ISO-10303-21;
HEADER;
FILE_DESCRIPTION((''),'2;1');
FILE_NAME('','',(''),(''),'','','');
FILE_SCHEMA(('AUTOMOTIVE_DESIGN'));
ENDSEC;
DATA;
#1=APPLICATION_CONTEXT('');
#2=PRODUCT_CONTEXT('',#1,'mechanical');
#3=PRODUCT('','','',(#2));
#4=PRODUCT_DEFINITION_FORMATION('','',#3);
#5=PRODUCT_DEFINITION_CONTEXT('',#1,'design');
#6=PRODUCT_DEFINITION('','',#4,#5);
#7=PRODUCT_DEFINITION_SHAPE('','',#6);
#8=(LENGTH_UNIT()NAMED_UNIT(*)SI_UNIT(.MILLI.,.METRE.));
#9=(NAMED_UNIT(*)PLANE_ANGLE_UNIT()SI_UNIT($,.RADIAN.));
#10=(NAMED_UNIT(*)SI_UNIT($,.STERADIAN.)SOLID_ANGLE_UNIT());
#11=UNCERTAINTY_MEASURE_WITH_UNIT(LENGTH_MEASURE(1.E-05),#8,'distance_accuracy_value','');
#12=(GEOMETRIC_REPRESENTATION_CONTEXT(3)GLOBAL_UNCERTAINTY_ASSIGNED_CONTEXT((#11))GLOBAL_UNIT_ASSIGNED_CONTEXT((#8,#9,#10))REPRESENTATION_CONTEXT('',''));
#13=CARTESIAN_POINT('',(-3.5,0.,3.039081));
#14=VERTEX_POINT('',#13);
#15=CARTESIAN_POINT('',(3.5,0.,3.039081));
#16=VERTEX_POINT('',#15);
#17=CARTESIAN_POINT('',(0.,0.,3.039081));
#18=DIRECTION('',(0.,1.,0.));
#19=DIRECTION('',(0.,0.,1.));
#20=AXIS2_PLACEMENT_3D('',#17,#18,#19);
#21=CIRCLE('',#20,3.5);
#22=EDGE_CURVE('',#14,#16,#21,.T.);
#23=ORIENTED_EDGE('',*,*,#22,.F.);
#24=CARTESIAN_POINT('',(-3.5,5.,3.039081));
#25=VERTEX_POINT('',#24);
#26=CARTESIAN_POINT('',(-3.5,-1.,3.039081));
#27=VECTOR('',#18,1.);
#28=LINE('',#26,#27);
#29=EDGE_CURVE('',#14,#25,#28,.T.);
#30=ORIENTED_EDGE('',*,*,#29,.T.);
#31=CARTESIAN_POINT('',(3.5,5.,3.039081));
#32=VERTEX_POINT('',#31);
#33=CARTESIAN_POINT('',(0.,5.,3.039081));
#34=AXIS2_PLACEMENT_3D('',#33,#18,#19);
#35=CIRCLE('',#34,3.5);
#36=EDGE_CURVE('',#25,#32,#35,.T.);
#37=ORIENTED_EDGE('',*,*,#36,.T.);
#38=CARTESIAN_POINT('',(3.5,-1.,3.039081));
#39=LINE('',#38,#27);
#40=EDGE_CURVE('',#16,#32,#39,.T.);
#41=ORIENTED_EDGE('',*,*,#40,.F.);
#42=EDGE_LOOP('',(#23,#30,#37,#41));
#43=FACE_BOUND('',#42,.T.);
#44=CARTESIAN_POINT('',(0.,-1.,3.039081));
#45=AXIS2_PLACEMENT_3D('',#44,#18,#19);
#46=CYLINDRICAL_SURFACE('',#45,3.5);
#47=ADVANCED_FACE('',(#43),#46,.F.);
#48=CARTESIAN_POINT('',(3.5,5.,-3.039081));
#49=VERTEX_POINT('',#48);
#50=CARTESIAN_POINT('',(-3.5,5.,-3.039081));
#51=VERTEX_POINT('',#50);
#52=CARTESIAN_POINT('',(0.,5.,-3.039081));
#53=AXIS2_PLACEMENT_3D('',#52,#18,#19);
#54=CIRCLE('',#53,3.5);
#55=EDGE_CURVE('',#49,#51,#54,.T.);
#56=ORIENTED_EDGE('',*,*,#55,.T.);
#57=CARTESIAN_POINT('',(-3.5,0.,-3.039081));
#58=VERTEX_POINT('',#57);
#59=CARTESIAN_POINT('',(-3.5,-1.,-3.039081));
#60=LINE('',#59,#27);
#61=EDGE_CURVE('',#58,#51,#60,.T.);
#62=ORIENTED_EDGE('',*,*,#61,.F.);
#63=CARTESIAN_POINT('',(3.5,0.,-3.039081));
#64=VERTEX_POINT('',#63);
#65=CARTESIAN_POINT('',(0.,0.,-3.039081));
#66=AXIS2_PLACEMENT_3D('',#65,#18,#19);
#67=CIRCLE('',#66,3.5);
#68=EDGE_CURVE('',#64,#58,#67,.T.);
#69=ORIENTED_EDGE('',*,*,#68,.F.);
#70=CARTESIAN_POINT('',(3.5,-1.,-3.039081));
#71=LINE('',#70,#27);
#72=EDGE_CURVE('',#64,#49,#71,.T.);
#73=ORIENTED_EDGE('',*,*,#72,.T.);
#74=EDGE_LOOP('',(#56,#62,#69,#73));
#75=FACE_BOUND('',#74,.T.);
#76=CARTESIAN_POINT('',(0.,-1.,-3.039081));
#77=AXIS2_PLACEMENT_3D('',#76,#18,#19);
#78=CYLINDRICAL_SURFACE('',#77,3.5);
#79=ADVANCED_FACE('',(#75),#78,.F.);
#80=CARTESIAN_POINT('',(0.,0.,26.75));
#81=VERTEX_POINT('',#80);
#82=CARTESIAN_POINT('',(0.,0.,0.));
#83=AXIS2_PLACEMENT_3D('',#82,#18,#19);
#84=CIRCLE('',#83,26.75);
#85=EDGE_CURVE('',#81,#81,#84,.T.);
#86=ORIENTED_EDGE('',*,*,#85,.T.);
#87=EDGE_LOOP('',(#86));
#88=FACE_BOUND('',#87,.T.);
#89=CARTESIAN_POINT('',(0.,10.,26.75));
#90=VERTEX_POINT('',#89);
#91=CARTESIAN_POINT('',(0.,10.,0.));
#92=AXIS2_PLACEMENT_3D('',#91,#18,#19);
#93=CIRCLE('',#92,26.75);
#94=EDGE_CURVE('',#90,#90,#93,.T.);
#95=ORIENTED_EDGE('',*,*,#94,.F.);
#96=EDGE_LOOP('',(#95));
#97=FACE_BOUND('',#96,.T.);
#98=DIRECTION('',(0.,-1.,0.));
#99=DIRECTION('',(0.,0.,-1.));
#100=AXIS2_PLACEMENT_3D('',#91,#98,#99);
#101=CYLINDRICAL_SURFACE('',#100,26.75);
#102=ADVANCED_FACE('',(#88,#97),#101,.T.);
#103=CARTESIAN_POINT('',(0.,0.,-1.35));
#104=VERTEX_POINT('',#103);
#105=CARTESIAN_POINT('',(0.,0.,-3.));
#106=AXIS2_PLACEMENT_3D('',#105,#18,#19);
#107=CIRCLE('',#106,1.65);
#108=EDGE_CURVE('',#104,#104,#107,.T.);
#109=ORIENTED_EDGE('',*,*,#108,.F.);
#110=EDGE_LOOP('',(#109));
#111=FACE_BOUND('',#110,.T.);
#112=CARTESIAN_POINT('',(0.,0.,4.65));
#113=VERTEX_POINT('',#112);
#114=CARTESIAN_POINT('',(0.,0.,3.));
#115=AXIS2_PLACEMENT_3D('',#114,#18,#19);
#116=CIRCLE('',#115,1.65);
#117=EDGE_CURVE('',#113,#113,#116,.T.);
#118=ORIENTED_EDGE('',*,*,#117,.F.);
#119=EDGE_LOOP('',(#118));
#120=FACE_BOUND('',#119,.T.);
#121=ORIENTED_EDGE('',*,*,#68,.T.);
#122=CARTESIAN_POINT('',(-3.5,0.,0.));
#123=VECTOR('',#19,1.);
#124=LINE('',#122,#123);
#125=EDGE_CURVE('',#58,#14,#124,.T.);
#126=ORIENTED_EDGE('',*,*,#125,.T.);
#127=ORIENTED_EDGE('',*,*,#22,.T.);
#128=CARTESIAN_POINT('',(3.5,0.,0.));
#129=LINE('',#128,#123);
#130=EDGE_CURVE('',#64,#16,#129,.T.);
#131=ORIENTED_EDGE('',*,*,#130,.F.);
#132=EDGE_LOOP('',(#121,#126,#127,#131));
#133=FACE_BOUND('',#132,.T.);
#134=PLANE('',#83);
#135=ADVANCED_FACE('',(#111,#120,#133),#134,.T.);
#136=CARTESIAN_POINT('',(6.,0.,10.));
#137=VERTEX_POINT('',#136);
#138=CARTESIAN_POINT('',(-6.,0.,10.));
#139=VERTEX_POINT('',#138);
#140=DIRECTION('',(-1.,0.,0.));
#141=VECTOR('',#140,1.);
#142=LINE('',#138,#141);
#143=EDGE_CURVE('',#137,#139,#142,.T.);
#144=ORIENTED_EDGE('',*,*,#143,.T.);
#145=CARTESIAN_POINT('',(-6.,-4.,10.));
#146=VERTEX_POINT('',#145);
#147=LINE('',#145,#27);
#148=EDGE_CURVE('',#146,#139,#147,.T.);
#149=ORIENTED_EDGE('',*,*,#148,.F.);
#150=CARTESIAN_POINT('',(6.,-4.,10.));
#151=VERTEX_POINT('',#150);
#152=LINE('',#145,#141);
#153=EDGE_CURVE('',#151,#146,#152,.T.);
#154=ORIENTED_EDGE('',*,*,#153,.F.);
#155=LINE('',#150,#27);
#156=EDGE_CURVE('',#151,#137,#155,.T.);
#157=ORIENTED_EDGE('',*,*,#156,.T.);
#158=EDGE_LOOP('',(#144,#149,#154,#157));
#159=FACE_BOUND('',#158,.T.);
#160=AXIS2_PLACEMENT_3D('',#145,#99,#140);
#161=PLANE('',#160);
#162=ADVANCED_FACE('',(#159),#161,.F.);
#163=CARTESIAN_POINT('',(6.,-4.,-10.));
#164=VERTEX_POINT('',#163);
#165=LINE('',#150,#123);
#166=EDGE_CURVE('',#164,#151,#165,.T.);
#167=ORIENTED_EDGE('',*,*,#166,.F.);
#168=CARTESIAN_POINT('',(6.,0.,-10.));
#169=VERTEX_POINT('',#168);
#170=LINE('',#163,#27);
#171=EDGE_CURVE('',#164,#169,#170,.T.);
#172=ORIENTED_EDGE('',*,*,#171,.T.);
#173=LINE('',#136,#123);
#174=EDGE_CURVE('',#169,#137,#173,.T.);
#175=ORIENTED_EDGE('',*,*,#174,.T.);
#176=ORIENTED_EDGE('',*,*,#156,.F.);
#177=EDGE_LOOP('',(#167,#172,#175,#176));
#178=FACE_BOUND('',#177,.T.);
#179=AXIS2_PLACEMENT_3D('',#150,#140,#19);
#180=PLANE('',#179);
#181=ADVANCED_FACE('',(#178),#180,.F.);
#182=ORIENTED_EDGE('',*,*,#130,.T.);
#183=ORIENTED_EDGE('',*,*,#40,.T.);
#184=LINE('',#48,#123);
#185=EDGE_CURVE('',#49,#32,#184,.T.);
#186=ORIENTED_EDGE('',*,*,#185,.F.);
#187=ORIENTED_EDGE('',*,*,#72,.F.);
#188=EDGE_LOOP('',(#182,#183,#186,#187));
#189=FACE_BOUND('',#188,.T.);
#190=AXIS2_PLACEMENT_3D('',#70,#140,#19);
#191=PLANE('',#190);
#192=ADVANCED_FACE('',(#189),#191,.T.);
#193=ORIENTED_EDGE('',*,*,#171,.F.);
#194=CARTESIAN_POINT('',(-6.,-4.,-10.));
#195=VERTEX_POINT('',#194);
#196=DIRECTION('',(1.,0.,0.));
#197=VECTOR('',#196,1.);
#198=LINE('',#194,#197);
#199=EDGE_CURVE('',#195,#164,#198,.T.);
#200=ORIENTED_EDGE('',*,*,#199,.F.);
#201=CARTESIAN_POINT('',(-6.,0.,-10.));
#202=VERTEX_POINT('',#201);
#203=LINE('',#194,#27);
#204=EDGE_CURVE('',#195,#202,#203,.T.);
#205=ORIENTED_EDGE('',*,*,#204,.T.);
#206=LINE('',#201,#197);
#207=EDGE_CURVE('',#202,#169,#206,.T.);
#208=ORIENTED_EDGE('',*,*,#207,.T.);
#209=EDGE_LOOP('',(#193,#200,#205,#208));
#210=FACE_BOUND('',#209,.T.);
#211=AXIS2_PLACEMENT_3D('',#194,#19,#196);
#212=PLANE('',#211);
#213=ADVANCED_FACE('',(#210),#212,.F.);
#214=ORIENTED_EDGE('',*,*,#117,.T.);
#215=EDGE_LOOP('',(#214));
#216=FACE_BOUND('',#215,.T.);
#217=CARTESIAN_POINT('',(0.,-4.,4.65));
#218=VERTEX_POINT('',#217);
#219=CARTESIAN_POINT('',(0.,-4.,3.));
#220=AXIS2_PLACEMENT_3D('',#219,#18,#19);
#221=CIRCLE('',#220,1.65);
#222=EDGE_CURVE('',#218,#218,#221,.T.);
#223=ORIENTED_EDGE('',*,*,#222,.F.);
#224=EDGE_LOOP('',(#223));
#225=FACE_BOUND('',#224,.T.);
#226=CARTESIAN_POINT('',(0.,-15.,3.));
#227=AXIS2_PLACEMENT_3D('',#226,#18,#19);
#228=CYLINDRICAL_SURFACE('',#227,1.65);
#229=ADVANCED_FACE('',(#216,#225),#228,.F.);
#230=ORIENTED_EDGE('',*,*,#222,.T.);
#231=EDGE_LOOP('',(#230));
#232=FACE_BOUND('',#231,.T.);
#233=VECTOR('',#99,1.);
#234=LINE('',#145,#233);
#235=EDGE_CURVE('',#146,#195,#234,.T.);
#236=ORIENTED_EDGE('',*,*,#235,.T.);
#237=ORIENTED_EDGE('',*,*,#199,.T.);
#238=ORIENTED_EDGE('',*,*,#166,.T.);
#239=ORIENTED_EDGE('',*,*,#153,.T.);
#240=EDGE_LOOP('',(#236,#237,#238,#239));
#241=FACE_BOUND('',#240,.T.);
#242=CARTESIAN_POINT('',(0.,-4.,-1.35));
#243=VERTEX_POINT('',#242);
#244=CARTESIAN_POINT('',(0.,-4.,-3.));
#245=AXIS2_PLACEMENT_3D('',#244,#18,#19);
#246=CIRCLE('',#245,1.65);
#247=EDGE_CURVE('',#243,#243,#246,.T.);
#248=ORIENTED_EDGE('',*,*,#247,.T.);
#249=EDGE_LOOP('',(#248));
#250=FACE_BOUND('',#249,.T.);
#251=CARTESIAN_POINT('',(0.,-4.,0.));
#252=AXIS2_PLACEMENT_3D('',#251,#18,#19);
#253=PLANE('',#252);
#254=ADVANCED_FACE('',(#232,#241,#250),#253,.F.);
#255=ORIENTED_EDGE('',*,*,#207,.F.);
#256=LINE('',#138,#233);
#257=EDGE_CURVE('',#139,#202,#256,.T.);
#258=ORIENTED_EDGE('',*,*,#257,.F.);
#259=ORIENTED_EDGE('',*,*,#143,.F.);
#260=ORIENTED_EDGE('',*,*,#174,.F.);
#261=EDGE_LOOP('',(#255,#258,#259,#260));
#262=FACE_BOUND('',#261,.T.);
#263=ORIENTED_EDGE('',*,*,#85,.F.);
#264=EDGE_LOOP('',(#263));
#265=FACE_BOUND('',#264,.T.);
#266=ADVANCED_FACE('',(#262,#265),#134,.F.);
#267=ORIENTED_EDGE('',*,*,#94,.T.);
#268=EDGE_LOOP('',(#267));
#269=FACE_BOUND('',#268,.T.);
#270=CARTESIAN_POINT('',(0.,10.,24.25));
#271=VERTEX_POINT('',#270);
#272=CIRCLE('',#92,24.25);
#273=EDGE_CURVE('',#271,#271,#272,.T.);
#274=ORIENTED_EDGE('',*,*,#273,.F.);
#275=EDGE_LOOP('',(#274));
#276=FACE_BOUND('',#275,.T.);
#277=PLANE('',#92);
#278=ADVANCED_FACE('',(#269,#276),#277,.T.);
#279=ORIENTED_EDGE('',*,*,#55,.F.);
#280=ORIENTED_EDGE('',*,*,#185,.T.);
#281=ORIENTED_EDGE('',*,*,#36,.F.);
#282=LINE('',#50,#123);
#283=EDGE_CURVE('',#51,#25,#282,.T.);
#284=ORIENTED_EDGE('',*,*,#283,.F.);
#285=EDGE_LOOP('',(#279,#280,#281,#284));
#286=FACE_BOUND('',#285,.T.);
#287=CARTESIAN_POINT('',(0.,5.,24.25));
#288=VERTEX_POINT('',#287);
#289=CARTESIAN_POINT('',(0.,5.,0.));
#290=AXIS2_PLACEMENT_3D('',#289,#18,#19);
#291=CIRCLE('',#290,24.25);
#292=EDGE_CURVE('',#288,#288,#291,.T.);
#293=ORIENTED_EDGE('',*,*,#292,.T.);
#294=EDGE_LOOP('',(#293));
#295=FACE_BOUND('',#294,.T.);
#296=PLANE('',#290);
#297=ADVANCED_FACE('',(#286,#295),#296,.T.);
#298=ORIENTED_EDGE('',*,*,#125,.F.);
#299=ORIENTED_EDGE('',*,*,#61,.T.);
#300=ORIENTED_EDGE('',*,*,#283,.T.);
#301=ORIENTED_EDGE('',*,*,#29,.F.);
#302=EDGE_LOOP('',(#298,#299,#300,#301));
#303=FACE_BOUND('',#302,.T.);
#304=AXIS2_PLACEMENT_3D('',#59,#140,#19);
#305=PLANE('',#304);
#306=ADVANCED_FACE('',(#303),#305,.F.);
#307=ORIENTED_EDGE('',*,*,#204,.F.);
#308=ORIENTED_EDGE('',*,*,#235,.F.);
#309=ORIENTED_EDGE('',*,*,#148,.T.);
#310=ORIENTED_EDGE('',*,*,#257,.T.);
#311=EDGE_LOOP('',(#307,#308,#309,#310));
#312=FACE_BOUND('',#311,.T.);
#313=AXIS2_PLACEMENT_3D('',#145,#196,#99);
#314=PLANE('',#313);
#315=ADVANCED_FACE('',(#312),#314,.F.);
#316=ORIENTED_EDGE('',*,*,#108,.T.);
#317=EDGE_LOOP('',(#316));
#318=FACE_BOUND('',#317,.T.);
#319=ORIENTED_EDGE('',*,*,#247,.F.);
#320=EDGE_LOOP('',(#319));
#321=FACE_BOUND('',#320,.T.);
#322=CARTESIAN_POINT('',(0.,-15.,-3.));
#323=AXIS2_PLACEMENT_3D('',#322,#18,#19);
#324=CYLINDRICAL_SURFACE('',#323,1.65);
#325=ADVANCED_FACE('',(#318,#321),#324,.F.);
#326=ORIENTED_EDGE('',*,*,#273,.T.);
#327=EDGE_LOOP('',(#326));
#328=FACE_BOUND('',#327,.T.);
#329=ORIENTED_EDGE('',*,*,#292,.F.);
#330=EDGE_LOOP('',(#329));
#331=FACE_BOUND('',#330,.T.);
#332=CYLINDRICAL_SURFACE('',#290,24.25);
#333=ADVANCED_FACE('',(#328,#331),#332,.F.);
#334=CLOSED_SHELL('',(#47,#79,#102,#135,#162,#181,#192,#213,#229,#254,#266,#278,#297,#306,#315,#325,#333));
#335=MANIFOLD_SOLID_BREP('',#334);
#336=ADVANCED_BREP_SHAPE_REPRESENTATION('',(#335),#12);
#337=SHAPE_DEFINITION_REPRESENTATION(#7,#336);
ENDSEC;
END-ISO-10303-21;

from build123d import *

# Parameters (mm, degrees)
SKETCH1_R           = 26.75
BOSS_EXTRUDE1_DEPTH = 10
SKETCH2_R           = 24.25
CUT_EXTRUDE3_DEPTH  = 5
CUT_EXTRUDE5_DEPTH  = 6
SKETCH8_W           = 12
SKETCH8_H           = 20
BOSS_EXTRUDE2_DEPTH = 4
SKETCH9_R           = 1.65
CUT_EXTRUDE6_DEPTH  = 15
SKETCH9_3_R         = 1.65
CUT_EXTRUDE7_DEPTH  = 15


with BuildPart() as part:
    # Sketch1 → Boss-Extrude1 (new body)
    with BuildSketch(Plane(origin=(0, 0, 0), x_dir=(1, 0, 0), z_dir=(0, 1, 0))):
        Circle(SKETCH1_R)
    extrude(amount=BOSS_EXTRUDE1_DEPTH)

    # Sketch2 → Cut-Extrude3 (cut)
    with BuildSketch(Plane(origin=(0, 10, 0), x_dir=(1, 0, 0), z_dir=(0, 1, 0))):
        Circle(SKETCH2_R)
    extrude(amount=-CUT_EXTRUDE3_DEPTH, mode=Mode.SUBTRACT)

    # Sketch3 → Cut-Extrude5 (cut)
    with BuildSketch(Plane(origin=(0, 5, 0), x_dir=(1, 0, 0), z_dir=(0, 1, 0))):
        with BuildLine():
            Line((3.5, 3.039080618), (3.5, -3.039080618))
            ThreePointArc((3.5, -3.039080618), (0, -6.539080618), (-3.5, -3.039080618))
            Line((-3.5, -3.039080618), (-3.5, 3.039080618))
            ThreePointArc((-3.5, 3.039080618), (0, 6.539080618), (3.5, 3.039080618))
        make_face()
    extrude(amount=-CUT_EXTRUDE5_DEPTH, mode=Mode.SUBTRACT)

    # Sketch8 → Boss-Extrude2 (add)
    with BuildSketch(Plane.XZ):
        Rectangle(SKETCH8_W, SKETCH8_H)
    extrude(amount=BOSS_EXTRUDE2_DEPTH)

    # Sketch9 → Cut-Extrude6 (cut)
    with BuildSketch(Plane(origin=(0, 0, 0), x_dir=(1, 0, 0), z_dir=(0, 1, 0))):
        with Locations((0, 3)):
            Circle(SKETCH9_R)
    extrude(amount=-CUT_EXTRUDE6_DEPTH, mode=Mode.SUBTRACT)

    # Sketch9<3> → Cut-Extrude7 (cut)
    with BuildSketch(Plane(origin=(0, 0, 0), x_dir=(1, 0, 0), z_dir=(0, 1, 0))):
        with Locations((0, 3)):
            Circle(SKETCH9_3_R)
        with Locations((0, -3)):
            Circle(SKETCH9_3_R)
    extrude(amount=-CUT_EXTRUDE7_DEPTH, mode=Mode.SUBTRACT)


solid = part.part
